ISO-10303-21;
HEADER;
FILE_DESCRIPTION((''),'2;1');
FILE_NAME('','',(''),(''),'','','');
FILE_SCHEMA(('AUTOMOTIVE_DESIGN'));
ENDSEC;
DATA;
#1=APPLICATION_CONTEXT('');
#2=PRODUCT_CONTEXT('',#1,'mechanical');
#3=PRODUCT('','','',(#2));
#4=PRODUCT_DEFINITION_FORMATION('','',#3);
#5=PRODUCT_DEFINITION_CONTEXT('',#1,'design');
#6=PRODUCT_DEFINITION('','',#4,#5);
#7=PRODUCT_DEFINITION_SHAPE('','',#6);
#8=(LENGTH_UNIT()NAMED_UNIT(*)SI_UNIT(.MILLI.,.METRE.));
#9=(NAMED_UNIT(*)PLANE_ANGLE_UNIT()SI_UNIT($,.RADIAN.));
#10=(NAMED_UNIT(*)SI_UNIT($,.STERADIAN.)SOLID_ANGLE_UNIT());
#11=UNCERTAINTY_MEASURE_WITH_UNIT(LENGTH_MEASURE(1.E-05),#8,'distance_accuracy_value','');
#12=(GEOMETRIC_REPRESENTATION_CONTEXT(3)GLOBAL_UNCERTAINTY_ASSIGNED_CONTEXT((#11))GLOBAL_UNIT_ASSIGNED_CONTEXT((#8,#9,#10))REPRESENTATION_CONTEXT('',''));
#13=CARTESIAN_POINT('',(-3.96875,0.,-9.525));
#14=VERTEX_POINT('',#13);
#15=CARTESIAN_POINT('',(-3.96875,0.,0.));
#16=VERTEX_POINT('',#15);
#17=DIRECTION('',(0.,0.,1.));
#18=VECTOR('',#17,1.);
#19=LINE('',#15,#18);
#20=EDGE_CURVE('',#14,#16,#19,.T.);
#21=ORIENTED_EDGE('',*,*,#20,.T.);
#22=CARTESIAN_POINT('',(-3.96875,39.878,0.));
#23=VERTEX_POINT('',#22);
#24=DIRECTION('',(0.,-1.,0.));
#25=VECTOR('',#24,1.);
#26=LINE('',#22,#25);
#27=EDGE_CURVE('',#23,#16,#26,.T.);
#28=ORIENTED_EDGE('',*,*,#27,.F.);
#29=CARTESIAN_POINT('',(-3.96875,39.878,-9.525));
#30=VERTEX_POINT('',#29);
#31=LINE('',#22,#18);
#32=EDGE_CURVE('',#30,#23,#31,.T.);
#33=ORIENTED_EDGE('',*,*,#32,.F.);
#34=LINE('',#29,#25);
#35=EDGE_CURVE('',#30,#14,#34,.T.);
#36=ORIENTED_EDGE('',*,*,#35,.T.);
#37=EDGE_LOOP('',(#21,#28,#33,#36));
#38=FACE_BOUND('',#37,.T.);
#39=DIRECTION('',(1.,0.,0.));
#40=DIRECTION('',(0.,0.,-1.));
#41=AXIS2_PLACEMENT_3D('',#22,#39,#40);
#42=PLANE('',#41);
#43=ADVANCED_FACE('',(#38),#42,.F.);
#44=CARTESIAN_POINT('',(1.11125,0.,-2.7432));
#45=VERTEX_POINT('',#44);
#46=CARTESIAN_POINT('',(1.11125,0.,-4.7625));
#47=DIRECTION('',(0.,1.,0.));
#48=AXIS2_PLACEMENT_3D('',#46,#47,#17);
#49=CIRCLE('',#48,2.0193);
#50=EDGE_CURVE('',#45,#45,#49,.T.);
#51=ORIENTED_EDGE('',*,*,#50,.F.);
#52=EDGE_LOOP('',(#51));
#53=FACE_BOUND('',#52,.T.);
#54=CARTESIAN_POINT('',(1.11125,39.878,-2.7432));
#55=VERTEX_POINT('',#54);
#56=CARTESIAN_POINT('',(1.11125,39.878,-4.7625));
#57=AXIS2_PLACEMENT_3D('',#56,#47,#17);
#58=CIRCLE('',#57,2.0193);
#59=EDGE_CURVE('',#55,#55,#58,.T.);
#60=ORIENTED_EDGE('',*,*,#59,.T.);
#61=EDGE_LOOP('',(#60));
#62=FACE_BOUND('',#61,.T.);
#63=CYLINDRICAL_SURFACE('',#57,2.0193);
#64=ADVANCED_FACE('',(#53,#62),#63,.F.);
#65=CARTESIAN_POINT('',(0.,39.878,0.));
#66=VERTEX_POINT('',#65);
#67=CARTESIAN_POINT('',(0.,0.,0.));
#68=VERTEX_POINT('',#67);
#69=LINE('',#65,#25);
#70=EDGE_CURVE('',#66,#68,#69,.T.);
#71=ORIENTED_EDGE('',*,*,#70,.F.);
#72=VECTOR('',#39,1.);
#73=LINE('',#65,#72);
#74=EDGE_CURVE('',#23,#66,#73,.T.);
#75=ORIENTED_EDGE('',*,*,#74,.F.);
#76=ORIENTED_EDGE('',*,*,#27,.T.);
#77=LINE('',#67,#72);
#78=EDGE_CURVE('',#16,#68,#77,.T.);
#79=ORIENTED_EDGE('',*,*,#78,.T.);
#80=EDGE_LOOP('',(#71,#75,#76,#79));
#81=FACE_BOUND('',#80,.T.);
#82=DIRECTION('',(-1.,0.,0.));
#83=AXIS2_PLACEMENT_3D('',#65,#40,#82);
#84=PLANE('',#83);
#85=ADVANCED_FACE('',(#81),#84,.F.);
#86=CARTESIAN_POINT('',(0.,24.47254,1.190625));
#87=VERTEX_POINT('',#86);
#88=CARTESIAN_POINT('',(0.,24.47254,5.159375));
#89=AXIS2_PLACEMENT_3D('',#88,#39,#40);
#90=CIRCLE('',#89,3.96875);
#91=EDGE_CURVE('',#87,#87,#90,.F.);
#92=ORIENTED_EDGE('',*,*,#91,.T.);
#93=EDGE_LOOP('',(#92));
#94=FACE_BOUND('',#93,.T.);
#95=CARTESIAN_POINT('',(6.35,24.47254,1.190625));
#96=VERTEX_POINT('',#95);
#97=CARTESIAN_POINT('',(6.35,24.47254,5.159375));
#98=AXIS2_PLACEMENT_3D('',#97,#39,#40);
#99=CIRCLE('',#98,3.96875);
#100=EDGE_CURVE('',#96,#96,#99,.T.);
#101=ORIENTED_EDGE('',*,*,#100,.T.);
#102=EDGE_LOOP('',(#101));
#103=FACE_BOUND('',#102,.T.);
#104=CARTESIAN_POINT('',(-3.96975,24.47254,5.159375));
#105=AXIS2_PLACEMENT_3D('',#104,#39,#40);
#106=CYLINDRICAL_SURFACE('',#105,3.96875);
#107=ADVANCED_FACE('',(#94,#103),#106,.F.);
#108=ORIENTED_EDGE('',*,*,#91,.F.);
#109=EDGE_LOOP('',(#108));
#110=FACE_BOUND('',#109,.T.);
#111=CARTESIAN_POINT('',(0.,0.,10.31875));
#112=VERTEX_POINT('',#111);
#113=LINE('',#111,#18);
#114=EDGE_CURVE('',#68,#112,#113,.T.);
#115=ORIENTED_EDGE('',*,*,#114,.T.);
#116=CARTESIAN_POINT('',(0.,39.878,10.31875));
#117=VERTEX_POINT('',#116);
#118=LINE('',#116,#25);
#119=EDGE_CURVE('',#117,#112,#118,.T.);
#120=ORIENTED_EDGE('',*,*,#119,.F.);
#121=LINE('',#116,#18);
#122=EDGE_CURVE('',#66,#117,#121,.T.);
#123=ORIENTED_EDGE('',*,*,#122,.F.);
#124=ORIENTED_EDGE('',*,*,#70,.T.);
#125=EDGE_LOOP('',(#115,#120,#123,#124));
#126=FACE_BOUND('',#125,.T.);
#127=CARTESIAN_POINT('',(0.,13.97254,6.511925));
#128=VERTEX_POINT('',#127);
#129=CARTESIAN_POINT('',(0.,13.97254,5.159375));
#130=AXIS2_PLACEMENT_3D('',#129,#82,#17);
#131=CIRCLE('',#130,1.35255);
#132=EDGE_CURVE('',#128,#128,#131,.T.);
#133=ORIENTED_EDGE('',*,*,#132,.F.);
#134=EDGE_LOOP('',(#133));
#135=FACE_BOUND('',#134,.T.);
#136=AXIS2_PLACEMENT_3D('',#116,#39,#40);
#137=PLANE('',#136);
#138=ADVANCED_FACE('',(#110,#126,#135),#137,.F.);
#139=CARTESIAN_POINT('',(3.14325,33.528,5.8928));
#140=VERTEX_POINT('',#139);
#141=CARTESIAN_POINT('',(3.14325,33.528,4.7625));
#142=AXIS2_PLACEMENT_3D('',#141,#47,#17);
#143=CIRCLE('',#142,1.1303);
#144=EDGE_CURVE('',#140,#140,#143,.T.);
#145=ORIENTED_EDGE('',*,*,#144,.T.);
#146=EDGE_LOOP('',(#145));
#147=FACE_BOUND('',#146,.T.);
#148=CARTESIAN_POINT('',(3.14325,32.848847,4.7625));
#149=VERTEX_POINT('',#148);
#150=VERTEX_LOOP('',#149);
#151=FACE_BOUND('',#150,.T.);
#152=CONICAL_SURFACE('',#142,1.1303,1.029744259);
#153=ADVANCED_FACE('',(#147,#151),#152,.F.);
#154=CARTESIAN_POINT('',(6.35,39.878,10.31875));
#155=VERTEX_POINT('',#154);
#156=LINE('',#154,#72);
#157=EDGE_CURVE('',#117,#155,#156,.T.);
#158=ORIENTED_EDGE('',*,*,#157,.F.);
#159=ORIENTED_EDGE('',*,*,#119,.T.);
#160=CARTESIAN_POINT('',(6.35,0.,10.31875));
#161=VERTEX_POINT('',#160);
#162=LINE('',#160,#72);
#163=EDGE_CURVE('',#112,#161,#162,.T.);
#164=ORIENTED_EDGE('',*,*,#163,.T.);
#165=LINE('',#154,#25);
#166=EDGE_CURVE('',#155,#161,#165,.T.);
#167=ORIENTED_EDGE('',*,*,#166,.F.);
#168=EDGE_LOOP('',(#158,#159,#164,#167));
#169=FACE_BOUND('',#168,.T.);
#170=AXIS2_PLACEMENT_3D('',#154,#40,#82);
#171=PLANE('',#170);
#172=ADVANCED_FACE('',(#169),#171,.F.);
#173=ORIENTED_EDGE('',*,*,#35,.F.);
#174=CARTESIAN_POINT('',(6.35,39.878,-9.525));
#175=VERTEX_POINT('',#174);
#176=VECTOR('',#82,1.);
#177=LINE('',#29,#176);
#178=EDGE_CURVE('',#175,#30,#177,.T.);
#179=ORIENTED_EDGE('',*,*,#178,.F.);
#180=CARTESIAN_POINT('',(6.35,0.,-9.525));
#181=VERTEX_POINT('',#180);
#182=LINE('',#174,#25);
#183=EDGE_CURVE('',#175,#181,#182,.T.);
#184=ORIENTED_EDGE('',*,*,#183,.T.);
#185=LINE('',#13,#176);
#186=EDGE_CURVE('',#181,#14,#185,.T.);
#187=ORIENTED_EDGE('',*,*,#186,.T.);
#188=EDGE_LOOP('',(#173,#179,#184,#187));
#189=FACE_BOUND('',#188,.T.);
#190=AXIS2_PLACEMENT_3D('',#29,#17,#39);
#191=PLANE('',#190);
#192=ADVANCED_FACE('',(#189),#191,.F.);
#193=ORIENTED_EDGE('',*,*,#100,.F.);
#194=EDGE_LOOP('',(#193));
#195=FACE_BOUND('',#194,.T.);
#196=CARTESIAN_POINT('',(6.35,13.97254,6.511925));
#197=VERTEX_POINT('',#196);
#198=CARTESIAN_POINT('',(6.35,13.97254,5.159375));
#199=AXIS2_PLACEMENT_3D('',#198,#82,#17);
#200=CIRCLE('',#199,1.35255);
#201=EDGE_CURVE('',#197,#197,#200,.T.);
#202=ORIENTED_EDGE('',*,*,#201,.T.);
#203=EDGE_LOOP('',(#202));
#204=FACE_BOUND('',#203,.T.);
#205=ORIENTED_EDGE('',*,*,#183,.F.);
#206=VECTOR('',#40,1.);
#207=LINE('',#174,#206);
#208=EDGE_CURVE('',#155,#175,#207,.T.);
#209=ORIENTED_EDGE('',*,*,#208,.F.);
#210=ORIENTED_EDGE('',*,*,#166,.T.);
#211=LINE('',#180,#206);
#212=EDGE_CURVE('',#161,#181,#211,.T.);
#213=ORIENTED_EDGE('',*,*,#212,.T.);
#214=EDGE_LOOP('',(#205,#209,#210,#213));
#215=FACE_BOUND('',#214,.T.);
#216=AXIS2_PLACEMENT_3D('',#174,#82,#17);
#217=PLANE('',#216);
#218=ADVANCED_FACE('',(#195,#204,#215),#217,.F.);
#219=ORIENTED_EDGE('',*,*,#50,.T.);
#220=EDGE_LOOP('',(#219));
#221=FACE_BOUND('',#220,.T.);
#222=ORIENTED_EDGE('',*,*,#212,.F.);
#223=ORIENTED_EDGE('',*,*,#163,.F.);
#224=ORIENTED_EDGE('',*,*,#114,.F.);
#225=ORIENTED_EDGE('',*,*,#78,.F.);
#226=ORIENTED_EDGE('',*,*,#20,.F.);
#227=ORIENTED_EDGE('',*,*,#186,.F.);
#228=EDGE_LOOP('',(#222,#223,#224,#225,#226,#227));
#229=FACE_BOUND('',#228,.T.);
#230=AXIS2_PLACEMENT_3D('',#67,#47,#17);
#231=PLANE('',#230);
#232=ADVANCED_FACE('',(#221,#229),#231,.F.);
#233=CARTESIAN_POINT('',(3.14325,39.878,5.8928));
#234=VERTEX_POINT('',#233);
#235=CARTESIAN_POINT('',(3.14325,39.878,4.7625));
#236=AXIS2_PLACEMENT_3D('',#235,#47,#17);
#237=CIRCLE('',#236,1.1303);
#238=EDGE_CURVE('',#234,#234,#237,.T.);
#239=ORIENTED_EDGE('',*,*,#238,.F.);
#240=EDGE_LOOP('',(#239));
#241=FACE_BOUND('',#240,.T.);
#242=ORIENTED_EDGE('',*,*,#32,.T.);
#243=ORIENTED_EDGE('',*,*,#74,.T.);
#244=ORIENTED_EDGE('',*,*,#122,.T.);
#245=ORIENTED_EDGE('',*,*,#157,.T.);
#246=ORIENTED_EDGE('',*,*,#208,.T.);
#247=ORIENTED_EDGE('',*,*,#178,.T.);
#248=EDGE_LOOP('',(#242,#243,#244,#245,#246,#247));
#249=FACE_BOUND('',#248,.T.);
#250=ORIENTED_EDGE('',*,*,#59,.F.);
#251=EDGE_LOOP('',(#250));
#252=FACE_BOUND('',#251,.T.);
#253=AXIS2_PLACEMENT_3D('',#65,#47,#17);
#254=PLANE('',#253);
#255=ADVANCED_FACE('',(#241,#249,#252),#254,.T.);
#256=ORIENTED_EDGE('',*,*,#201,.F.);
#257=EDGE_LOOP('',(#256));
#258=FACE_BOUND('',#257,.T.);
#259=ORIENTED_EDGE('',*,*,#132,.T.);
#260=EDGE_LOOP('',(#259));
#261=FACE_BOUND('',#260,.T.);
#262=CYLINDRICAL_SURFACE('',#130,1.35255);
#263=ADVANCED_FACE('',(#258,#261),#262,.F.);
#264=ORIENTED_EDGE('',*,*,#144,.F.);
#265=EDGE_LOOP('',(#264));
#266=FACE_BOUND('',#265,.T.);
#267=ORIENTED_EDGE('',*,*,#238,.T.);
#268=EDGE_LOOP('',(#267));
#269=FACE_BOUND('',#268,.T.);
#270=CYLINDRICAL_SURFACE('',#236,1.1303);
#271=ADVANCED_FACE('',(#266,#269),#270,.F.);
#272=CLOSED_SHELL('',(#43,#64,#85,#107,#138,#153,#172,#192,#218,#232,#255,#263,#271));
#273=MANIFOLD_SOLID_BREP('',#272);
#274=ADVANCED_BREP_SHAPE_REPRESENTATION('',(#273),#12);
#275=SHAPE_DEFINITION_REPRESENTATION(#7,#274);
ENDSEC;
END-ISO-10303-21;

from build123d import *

# Parameters (mm, degrees)
BOSS_EXTRUDE1_DEPTH        = 39.878
F_10_32_TAPPED_HOLE1_D     = 4.0386
F_10_32_TAPPED_HOLE1_DEPTH = 39.878
F_6_32_TAPPED_HOLE1_D      = 2.7051
F_6_32_TAPPED_HOLE1_DEPTH  = 6.35
CUT_EXTRUDE1_REACH         = 12.319
SKETCH10_R                 = 3.96875
F_4_40_TAPPED_HOLE1_D      = 2.2606
F_4_40_TAPPED_HOLE1_DEPTH  = 6.35
F_4_40_TAPPED_HOLE1_TIP    = 0.679152758


with BuildPart() as part:
    # Sketch1 → Boss-Extrude1 (new body)
    with BuildSketch(Plane(origin=(0, 0, 0), x_dir=(1, 0, 0), z_dir=(0, 1, 0))):
        Polygon((0, 0), (-3.96875, 0), (-3.96875, 9.525), (6.35, 9.525), (6.35, -10.31875), (0, -10.31875), align=None)
    extrude(amount=BOSS_EXTRUDE1_DEPTH)

    # #10-32 Tapped Hole1
    with Locations(Plane(origin=(0, 39.878, 0), x_dir=(1, 0, 0), z_dir=(0, 1, 0))):
        with Locations((1.11125, 4.7625)):
            Hole(F_10_32_TAPPED_HOLE1_D / 2, depth=F_10_32_TAPPED_HOLE1_DEPTH)

    # #6-32 Tapped Hole1
    with Locations(Plane.ZY):
        with Locations((5.159375, 13.97254)):
            Hole(F_6_32_TAPPED_HOLE1_D / 2, depth=F_6_32_TAPPED_HOLE1_DEPTH)

    # Sketch10 → Cut-Extrude1 (cut, up to next)
    with BuildSketch(Plane(origin=(6.35, 0, 0), x_dir=(0, 0, -1), z_dir=(1, 0, 0)), mode=Mode.PRIVATE) as cut_extrude1_sk1:
        with Locations((-5.159375, 24.47254)):
            Circle(SKETCH10_R)
    cut_extrude1_tool1 = extrude(cut_extrude1_sk1.sketch, amount=-CUT_EXTRUDE1_REACH, mode=Mode.PRIVATE) & part.part
    add(cut_extrude1_tool1.solids().sort_by_distance((6.35, 24.47254, 5.159375))[0], mode=Mode.SUBTRACT)

    # #4-40 Tapped Hole1
    with Locations(Plane(origin=(0, 39.878, 0), x_dir=(1, 0, 0), z_dir=(0, 1, 0))):
        with Locations((3.14325, -4.7625)):
            Hole(F_4_40_TAPPED_HOLE1_D / 2, depth=F_4_40_TAPPED_HOLE1_DEPTH)
            with Locations((0, 0, -(F_4_40_TAPPED_HOLE1_DEPTH + F_4_40_TAPPED_HOLE1_TIP / 2))):  # 118° drill point
                Cone(0, F_4_40_TAPPED_HOLE1_D / 2, F_4_40_TAPPED_HOLE1_TIP, mode=Mode.SUBTRACT)


solid = part.part
